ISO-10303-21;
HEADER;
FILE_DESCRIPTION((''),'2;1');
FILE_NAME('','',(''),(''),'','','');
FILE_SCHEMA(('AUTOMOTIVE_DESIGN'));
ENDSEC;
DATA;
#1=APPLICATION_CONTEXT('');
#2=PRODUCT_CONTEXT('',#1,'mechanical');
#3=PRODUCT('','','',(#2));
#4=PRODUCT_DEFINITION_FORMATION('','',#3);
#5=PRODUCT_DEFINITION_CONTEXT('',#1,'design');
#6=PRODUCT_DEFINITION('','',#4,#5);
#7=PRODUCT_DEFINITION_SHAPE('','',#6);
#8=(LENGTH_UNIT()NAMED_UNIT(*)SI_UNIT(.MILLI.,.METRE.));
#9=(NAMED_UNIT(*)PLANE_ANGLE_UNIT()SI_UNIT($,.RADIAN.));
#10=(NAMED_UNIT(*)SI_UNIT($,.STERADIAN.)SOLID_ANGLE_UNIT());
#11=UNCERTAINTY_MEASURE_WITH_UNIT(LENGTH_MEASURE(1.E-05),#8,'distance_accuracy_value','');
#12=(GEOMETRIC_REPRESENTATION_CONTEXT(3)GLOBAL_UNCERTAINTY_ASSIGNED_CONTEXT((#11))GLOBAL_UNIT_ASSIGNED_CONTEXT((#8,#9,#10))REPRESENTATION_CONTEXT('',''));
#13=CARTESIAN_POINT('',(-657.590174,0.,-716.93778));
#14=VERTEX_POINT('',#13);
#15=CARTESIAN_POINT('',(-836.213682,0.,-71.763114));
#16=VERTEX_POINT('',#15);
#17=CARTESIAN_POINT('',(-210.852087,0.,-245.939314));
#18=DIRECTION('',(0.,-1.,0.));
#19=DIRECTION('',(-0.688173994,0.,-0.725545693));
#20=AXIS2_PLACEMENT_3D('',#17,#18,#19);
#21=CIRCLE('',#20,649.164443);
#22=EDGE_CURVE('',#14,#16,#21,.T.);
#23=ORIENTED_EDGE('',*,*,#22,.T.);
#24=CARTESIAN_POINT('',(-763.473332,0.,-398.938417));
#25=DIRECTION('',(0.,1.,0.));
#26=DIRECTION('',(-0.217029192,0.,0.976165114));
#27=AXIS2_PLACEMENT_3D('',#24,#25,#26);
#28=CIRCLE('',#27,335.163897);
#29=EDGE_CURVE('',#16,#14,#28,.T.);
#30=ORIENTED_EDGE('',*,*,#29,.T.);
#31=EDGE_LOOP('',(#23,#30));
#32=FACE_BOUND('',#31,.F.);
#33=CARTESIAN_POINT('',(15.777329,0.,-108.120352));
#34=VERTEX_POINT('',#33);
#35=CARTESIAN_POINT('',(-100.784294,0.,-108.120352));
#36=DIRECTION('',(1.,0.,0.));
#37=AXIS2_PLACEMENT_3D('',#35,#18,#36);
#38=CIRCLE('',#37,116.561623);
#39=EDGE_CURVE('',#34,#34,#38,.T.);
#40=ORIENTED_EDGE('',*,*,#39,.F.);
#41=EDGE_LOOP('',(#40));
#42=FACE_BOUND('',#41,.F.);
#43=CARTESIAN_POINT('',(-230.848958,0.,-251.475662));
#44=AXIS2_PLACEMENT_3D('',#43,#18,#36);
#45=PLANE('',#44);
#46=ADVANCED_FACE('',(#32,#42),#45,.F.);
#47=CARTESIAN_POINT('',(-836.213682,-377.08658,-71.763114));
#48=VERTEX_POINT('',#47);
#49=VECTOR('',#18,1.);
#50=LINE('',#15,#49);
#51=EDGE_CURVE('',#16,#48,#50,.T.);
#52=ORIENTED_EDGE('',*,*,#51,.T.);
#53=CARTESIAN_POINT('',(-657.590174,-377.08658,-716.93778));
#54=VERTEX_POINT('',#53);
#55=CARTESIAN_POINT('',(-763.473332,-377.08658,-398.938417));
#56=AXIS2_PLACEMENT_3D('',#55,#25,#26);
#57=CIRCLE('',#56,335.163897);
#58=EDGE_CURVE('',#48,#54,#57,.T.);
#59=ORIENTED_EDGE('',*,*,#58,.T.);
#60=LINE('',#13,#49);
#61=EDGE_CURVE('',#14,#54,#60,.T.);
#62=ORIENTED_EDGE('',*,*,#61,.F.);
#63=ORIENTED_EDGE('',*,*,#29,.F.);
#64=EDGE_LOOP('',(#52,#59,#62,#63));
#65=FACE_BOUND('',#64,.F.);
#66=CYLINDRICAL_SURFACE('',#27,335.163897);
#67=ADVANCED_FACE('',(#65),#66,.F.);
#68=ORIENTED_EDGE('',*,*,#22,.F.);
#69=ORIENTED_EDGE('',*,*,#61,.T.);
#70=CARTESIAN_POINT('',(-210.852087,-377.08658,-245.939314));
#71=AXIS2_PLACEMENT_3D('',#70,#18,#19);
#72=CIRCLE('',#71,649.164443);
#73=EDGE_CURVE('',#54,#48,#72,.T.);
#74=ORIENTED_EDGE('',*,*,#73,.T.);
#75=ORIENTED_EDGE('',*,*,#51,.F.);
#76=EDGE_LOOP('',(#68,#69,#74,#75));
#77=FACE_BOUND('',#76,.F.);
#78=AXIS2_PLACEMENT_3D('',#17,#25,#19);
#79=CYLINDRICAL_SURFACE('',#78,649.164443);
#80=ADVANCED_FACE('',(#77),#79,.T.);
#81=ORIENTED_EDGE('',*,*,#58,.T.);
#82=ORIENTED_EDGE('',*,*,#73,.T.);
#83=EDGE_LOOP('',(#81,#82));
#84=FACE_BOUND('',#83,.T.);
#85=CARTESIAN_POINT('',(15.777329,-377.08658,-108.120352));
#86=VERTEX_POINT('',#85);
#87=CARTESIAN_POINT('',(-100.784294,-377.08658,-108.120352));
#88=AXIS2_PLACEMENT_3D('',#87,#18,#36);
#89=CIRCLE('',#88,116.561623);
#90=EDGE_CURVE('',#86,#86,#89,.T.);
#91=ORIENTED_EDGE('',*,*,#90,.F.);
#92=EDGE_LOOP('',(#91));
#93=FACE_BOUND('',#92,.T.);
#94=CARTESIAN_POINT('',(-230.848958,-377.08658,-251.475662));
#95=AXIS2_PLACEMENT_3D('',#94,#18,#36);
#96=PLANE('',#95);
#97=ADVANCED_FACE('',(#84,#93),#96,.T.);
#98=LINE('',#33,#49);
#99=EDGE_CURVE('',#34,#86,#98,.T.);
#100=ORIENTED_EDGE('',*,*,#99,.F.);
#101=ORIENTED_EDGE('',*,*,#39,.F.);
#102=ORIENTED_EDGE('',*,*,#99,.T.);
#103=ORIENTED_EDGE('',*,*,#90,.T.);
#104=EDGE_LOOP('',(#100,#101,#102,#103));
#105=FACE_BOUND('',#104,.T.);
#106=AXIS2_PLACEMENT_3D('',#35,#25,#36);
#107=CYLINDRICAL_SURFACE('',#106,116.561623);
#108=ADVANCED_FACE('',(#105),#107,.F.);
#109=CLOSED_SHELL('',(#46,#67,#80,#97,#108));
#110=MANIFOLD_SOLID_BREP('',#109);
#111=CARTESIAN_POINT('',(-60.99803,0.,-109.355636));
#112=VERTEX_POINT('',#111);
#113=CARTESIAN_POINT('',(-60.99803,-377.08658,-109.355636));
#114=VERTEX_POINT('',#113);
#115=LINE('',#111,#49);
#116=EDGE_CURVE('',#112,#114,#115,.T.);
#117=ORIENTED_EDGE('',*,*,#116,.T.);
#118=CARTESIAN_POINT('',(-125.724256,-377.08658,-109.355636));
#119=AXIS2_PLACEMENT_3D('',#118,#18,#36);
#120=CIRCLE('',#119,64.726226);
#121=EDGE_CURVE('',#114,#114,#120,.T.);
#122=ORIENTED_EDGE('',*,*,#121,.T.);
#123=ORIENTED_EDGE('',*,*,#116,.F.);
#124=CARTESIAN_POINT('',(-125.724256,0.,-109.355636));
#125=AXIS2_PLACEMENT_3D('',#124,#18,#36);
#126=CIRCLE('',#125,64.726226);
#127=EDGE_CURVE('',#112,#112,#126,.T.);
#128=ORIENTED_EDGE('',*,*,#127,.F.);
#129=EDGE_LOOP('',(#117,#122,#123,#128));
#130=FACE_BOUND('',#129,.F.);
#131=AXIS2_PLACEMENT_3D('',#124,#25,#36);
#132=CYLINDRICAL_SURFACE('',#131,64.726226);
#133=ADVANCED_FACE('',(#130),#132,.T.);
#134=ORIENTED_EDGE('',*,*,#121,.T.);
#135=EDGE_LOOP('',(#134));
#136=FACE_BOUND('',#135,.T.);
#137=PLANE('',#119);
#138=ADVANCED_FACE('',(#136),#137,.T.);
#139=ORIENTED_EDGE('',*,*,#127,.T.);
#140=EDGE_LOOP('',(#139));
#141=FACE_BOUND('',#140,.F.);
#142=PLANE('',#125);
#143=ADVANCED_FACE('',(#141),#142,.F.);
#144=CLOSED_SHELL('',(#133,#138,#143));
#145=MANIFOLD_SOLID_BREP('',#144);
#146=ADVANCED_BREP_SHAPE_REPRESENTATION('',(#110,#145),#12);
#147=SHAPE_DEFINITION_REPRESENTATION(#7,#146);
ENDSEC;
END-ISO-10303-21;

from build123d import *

# Parameters (mm, degrees)
F0_R     = 64.7262264748
F1_DEPTH = 377.0865797997
F0_R_2   = 116.561623304


with BuildPart() as f1:
    # F0 (on Front) → F1 (new body)
    with BuildSketch(Plane.XZ):
        with Locations((-125.7242560387, -109.355635941)):
            Circle(F0_R)
    extrude(amount=F1_DEPTH)


with BuildPart() as f1b:
    # F0 (on Front) → F1, piece 2 (new body)
    with BuildSketch(Plane.XZ):
        with BuildLine():
            ThreePointArc((-657.5901740627, -716.937780029), (45.4758205773, -842.3540002409), (438.312356026, -245.9393143654))
            ThreePointArc((438.312356026, -245.9393143654), (-122.9545263453, 397.2468891623), (-836.2136816928, -71.7631138953))
            ThreePointArc((-836.2136816928, -71.7631138953), (-553.7653222493, -137.4859582639), (-428.3094351106, -398.9384174347))
            ThreePointArc((-428.3094351106, -398.9384174347), (-491.6065911088, -594.957072073), (-657.5901740627, -716.937780029))
        make_face()
        with Locations((-100.7842943072, -108.1203520298)):
            Circle(F0_R_2, mode=Mode.SUBTRACT)
    extrude(amount=F1_DEPTH)


solid = Compound([f1.part, f1b.part])
